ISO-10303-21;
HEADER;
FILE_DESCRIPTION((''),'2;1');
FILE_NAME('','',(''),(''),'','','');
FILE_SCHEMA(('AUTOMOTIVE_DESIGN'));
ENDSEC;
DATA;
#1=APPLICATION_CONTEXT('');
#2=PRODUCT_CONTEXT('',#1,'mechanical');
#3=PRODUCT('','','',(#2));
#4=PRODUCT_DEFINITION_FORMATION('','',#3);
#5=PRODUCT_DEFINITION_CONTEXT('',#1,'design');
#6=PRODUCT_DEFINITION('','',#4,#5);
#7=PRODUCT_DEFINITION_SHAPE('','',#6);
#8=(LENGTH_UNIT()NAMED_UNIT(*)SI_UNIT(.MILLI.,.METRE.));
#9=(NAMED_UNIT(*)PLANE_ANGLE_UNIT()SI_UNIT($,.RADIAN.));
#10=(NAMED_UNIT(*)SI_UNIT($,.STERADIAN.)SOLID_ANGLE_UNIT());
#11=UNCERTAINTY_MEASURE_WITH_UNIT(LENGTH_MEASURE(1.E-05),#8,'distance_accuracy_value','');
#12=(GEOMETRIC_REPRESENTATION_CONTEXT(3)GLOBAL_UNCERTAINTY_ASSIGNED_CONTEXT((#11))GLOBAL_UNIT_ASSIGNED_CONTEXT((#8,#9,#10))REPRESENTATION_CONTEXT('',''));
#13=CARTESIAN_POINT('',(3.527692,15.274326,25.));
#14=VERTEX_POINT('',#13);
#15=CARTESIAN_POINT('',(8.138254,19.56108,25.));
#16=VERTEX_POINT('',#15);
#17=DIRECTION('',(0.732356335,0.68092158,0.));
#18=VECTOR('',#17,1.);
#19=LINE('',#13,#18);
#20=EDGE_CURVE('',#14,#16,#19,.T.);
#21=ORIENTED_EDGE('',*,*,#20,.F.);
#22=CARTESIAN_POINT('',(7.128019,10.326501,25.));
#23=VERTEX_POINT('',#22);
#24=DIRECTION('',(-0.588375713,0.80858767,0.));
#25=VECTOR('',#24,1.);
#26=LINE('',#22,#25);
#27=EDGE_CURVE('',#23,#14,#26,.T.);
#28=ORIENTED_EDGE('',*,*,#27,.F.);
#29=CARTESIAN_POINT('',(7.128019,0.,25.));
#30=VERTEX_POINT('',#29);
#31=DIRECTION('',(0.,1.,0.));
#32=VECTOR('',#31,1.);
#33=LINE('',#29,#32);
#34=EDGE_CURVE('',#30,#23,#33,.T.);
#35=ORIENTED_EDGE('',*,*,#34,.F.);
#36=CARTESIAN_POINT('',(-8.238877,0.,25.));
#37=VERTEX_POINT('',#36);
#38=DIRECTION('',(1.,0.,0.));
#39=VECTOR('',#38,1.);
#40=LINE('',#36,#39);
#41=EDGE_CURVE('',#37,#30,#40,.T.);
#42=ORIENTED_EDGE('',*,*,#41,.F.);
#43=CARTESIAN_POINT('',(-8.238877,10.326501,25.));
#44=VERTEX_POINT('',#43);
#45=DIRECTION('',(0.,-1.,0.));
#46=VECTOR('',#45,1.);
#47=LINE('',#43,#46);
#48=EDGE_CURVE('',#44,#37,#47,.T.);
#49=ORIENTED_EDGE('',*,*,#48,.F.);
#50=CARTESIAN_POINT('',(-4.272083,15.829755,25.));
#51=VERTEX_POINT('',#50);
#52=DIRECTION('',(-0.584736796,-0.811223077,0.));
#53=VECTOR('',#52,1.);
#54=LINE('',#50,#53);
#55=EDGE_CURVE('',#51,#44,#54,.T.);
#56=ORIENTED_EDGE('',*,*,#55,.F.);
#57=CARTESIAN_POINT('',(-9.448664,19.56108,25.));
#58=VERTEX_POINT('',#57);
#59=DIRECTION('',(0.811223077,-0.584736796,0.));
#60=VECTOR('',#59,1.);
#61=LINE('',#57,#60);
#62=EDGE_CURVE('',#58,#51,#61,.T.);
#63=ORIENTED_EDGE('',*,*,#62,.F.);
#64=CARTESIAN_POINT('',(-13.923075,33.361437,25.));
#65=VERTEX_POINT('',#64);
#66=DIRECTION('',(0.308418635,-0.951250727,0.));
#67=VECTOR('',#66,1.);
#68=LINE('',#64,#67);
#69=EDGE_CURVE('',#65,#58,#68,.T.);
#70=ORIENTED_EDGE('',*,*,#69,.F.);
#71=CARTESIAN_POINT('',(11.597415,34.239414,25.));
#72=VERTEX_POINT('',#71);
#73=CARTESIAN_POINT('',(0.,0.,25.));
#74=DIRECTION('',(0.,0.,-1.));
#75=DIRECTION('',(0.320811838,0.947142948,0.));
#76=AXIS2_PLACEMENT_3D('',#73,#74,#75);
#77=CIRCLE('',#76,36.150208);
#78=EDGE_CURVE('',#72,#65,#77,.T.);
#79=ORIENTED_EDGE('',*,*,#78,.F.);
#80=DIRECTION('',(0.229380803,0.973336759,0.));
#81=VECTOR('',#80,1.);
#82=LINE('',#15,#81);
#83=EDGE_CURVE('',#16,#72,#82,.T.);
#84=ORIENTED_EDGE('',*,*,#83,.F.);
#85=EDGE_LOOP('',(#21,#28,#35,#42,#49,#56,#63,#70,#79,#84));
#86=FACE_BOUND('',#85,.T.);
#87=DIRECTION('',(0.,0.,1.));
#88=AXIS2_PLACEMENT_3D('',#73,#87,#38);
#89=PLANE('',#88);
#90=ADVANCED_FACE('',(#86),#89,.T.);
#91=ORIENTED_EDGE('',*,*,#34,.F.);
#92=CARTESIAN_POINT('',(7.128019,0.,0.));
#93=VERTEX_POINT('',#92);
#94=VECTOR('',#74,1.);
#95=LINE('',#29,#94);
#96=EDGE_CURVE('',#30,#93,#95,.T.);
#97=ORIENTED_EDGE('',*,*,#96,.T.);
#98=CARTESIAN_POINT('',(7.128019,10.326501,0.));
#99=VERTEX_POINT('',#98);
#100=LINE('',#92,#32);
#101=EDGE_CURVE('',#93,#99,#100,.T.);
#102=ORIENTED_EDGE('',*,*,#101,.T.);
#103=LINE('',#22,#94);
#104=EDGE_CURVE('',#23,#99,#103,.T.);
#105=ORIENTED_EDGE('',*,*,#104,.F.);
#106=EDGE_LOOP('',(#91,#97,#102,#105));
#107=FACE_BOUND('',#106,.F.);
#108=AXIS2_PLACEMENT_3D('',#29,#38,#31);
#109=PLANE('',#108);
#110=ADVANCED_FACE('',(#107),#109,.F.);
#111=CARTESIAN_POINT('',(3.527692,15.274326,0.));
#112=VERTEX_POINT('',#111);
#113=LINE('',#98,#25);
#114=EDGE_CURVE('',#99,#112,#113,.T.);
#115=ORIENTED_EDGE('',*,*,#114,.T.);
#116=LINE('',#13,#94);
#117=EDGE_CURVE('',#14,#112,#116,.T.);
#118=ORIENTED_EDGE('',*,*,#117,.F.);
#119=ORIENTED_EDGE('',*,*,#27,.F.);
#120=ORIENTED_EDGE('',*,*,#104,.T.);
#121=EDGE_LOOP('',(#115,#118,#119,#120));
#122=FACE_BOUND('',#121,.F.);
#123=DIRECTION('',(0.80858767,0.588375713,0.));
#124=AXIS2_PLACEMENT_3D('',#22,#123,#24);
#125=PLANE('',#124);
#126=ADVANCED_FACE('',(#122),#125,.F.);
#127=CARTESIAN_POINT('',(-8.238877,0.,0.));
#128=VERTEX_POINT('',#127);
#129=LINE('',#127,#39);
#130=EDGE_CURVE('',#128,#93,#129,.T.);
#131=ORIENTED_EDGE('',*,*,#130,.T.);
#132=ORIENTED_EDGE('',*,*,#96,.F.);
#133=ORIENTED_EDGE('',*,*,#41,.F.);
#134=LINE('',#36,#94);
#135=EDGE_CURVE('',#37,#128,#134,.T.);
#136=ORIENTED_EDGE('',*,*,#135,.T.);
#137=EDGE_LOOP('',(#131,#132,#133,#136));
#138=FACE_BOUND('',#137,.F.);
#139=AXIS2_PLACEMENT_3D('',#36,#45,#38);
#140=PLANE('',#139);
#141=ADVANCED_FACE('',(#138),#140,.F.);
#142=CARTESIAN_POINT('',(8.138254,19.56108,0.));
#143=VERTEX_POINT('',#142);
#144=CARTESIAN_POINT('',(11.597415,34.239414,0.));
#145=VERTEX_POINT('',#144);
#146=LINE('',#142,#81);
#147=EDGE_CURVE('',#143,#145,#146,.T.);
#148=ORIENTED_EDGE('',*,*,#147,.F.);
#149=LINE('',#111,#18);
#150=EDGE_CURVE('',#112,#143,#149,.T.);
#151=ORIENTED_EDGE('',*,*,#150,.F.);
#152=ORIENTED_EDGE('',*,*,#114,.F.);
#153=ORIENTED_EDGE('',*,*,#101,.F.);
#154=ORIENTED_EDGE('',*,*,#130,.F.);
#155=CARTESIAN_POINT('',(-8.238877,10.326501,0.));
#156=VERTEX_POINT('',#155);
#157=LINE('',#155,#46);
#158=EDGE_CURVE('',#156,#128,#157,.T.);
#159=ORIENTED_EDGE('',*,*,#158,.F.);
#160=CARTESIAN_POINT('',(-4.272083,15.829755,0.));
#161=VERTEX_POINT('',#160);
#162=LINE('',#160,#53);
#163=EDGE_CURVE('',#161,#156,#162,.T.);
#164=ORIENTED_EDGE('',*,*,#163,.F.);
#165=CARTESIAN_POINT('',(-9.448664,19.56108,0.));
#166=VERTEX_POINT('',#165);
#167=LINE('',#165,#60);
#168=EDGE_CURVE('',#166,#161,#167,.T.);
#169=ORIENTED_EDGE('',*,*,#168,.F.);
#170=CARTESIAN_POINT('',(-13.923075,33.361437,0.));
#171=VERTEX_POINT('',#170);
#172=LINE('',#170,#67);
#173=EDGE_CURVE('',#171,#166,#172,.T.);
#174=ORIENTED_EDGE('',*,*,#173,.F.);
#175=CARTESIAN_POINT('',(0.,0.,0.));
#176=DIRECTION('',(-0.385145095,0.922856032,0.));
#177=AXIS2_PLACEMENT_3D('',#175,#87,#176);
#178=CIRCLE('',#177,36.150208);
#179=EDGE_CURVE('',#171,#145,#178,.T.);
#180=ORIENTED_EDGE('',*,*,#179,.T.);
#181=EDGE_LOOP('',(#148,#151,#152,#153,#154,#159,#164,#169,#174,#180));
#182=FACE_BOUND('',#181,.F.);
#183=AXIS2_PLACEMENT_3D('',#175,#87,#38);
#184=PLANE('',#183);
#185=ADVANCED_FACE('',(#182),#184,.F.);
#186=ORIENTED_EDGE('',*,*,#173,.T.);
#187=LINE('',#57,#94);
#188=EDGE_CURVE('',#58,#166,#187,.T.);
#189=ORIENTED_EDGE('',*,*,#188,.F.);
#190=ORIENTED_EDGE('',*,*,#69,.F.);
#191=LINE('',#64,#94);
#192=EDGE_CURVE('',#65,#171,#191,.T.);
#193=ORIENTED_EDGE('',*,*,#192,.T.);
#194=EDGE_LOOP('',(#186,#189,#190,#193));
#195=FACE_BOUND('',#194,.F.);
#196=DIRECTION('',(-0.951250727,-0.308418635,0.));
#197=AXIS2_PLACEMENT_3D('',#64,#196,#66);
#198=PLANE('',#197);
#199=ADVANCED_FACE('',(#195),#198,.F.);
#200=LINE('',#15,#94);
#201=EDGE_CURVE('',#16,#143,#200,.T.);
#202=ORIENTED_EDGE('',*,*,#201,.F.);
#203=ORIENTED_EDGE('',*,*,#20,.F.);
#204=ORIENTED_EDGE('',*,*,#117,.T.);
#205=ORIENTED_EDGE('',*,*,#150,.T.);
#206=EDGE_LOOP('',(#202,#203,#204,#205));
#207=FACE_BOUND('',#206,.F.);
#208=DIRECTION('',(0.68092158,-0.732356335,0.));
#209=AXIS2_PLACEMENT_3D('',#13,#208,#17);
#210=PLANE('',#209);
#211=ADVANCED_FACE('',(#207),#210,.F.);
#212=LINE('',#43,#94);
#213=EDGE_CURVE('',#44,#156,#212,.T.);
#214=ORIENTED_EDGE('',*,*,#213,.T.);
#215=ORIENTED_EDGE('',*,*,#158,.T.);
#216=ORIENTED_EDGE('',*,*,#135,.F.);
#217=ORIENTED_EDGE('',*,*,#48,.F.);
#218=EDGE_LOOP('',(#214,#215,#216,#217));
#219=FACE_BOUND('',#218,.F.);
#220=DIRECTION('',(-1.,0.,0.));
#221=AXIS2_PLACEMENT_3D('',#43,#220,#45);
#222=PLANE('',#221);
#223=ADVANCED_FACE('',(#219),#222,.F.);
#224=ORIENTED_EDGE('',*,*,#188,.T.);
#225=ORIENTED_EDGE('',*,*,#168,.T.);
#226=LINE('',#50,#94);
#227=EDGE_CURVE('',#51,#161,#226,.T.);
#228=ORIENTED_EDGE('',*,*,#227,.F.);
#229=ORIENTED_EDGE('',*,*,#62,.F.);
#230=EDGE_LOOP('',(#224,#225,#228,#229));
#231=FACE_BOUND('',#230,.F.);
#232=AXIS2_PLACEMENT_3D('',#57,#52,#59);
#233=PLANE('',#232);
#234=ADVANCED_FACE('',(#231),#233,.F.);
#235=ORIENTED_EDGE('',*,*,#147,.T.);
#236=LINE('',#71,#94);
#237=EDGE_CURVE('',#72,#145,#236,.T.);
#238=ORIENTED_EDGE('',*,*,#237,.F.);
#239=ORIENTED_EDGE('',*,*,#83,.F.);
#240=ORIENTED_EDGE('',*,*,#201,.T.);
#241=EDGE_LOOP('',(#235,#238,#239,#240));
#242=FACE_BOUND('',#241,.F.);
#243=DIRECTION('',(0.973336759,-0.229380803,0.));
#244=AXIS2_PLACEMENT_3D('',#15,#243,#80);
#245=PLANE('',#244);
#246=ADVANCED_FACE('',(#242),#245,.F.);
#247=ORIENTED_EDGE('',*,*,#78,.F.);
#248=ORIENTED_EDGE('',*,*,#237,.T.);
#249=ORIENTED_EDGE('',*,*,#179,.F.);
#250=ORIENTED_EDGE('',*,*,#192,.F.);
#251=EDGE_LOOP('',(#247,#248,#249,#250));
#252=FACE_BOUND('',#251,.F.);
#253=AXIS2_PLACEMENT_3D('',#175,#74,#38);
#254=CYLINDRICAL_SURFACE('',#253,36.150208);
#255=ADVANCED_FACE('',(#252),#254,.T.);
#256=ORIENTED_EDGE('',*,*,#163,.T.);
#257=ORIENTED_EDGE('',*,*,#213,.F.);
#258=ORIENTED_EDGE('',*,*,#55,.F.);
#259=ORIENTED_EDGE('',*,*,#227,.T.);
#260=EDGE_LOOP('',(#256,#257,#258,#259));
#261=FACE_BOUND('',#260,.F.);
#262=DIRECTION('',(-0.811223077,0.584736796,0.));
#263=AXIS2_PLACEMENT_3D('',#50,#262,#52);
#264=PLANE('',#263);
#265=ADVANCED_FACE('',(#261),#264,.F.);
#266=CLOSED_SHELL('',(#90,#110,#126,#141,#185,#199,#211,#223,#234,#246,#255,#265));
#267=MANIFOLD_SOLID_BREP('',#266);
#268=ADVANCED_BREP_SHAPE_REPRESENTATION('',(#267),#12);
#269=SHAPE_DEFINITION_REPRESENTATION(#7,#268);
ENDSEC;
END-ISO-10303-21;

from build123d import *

# Parameters (mm, degrees)
F0_R     = 36.1502076958
F1_DEPTH = 25
F3_DEPTH = 25


with BuildPart() as f1:
    # F0 (on Top) → F1 (new body)
    with BuildSketch(Plane.XY):
        Circle(F0_R)
    extrude(amount=F1_DEPTH)

    # F2 (on face) → F3 (cut)
    with BuildSketch(Plane.XY.offset(25)):
        with BuildLine():
            Line((-8.2388771698, 0), (0, 0))
            Line((0, 0), (0, 36.1502076958))
            ThreePointArc((0, 36.1502076958), (-7.0998109764, 35.4461591791), (-13.9230751939, 33.3614372232))
            Line((-13.9230751939, 33.3614372232), (-9.4486636828, 19.5610804365))
            Line((-9.4486636828, 19.5610804365), (-4.2720828205, 15.8297549933))
            Line((-4.2720828205, 15.8297549933), (-8.2388771698, 10.326500982))
            Line((-8.2388771698, 10.326500982), (-8.2388771698, 0))
        make_face()
        with BuildLine():
            Line((0, 36.1502076958), (0, 0))
            Line((0, 0), (7.1280188859, 0))
            Line((7.1280188859, 0), (7.1280188859, 10.326500982))
            Line((7.1280188859, 10.326500982), (3.5276915878, 15.274326317))
            Line((3.5276915878, 15.274326317), (8.1382541345, 19.5610804365))
            Line((8.1382541345, 19.5610804365), (11.5974145733, 34.2394143008))
            ThreePointArc((11.5974145733, 34.2394143008), (5.8768859991, 35.6693107223), (0, 36.1502076958))
        make_face()
    extrude(amount=-F3_DEPTH, mode=Mode.SUBTRACT)


solid = f1.part
